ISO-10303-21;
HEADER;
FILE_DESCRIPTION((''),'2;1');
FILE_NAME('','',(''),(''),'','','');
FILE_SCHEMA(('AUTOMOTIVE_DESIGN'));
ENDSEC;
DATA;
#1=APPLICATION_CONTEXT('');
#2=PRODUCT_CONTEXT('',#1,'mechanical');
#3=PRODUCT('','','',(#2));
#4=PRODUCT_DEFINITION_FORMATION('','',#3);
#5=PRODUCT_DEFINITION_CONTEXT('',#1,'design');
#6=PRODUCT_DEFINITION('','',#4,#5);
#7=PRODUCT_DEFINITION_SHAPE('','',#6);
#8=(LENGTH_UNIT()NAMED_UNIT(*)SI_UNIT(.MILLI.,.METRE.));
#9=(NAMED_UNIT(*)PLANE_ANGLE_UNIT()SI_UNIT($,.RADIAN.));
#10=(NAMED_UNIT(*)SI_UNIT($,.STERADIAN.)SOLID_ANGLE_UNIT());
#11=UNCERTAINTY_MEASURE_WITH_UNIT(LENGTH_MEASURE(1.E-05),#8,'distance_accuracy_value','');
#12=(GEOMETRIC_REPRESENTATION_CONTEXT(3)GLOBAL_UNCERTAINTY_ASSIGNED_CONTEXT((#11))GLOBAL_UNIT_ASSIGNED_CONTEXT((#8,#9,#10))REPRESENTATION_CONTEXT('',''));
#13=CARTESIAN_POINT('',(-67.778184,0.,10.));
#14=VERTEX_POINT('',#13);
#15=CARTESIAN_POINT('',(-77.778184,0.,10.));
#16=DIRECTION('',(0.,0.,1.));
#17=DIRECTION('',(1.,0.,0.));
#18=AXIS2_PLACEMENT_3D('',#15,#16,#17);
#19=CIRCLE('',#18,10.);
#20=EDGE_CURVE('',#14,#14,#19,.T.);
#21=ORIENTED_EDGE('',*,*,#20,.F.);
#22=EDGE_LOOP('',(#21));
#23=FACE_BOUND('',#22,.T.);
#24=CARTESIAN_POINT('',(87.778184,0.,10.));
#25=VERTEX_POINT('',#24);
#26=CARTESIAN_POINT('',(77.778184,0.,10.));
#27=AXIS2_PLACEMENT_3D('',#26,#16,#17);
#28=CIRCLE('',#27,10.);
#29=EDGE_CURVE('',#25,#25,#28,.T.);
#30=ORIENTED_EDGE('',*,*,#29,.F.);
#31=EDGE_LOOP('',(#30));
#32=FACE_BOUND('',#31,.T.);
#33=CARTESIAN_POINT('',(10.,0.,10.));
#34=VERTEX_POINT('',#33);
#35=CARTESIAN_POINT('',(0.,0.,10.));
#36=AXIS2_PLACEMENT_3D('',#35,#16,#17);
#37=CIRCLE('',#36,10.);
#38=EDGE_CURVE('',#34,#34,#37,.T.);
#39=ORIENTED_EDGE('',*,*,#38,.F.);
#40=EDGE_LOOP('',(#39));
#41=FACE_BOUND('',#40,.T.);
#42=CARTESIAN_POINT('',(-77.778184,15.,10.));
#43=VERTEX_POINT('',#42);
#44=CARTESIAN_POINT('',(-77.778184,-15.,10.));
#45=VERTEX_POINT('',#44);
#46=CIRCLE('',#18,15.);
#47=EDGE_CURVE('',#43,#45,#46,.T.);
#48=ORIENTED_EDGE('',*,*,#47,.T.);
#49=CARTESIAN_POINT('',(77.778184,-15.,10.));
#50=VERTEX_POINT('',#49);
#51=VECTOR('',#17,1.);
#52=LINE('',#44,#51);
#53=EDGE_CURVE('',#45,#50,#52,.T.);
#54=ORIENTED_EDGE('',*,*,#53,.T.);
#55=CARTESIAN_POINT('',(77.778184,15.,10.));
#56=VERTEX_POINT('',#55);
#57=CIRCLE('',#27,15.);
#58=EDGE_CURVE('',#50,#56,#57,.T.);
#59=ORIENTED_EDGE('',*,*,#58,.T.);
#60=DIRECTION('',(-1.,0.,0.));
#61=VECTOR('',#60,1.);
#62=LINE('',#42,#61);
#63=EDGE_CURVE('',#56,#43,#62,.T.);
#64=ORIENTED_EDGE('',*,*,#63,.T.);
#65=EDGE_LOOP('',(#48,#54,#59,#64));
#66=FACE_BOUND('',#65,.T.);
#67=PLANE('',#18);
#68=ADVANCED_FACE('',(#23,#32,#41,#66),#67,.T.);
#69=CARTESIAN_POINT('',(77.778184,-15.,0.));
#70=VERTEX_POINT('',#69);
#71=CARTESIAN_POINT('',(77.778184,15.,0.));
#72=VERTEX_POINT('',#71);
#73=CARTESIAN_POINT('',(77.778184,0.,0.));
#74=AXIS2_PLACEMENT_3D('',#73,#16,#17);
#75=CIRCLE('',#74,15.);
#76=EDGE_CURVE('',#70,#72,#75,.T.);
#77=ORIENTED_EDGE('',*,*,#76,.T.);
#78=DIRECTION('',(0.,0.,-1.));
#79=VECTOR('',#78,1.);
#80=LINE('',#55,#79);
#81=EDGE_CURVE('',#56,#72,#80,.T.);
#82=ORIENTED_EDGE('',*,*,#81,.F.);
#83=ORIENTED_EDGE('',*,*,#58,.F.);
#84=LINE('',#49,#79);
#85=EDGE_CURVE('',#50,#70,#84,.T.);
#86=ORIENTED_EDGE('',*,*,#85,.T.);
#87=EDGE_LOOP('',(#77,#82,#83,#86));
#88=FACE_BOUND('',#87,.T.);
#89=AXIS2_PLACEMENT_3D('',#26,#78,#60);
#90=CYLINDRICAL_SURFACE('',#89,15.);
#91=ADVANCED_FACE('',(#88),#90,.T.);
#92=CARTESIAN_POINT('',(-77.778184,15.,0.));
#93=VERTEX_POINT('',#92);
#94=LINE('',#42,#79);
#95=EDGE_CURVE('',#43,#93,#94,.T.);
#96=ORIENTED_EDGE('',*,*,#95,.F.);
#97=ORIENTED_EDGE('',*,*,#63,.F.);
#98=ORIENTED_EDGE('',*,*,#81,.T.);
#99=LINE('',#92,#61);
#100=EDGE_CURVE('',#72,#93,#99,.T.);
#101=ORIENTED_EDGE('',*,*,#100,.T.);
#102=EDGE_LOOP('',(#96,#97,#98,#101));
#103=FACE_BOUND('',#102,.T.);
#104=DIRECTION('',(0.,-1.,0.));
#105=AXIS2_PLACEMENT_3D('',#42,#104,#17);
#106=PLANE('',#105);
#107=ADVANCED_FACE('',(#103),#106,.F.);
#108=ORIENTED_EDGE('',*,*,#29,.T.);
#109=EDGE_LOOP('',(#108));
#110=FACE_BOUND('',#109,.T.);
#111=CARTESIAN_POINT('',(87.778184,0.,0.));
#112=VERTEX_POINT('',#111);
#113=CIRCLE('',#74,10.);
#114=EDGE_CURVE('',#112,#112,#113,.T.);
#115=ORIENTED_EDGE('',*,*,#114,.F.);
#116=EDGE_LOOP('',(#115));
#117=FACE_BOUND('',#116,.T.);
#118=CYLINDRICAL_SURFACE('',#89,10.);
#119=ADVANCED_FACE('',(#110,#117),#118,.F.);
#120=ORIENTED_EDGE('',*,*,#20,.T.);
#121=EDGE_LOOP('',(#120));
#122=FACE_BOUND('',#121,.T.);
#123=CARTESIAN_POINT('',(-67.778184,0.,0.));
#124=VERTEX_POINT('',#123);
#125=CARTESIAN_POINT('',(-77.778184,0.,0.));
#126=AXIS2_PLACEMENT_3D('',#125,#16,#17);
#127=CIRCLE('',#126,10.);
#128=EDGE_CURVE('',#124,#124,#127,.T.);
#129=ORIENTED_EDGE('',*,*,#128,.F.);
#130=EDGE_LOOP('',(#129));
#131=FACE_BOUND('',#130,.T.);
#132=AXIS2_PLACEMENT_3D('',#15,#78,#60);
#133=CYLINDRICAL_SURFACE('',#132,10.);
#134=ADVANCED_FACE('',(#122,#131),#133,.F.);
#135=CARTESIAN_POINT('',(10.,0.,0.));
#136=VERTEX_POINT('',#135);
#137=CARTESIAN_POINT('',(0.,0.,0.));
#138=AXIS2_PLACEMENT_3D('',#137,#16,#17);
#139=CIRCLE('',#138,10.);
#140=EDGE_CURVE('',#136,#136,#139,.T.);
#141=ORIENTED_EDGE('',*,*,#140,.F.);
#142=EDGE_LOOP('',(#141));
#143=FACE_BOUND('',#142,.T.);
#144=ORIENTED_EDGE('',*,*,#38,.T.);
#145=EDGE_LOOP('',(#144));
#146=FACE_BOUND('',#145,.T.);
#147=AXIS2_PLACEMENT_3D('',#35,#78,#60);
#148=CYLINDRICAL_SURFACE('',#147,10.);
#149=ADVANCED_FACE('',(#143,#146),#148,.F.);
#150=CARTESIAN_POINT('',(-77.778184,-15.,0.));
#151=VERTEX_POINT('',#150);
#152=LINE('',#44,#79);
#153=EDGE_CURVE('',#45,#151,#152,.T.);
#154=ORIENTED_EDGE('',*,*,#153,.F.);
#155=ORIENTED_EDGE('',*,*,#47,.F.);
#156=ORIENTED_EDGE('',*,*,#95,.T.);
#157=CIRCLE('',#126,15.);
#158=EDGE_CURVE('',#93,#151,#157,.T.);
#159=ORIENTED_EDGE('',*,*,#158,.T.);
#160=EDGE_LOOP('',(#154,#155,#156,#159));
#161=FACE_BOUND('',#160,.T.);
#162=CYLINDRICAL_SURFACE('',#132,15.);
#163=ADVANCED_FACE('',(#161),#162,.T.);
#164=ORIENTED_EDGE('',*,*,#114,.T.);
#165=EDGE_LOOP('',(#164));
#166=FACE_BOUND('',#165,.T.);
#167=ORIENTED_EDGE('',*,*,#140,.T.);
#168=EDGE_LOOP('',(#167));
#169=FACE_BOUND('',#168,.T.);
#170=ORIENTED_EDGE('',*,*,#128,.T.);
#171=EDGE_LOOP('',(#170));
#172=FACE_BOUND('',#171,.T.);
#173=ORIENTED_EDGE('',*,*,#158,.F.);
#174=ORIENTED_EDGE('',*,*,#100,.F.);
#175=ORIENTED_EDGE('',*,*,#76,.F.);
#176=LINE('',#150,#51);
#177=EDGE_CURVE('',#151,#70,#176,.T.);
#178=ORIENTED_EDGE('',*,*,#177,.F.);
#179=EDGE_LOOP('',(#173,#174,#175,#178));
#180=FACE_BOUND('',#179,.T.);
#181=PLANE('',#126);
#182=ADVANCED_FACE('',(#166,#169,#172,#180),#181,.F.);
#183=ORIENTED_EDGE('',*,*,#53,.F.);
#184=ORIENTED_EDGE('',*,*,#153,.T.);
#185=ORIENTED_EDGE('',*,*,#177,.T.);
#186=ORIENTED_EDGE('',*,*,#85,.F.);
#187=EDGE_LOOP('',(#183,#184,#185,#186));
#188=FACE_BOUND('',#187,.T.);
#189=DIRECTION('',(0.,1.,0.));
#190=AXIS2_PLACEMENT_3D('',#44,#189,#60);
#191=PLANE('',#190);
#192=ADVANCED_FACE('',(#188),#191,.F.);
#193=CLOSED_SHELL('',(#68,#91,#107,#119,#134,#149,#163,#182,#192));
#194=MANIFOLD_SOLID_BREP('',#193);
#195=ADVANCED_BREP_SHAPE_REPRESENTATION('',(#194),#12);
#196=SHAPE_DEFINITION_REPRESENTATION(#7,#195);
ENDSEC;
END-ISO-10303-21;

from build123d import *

# Parameters (mm, degrees)
SKETCH1_R           = 10
BOSS_EXTRUDE1_DEPTH = 10


with BuildPart() as part:
    # Sketch1 → Boss-Extrude1 (new body)
    with BuildSketch(Plane.XY):
        with BuildLine():
            Line((-77.778184123, 15), (77.778184123, 15))
            ThreePointArc((77.778184123, 15), (92.778184123, 0), (77.778184123, -15))
            Line((77.778184123, -15), (-77.778184123, -15))
            ThreePointArc((-77.778184123, -15), (-92.778184123, 0), (-77.778184123, 15))
        make_face()
        with Locations((-77.778184123, 0)):
            Circle(SKETCH1_R, mode=Mode.SUBTRACT)
        with Locations((77.778184123, 0)):
            Circle(SKETCH1_R, mode=Mode.SUBTRACT)
        Circle(SKETCH1_R, mode=Mode.SUBTRACT)
    extrude(amount=BOSS_EXTRUDE1_DEPTH)


solid = part.part
